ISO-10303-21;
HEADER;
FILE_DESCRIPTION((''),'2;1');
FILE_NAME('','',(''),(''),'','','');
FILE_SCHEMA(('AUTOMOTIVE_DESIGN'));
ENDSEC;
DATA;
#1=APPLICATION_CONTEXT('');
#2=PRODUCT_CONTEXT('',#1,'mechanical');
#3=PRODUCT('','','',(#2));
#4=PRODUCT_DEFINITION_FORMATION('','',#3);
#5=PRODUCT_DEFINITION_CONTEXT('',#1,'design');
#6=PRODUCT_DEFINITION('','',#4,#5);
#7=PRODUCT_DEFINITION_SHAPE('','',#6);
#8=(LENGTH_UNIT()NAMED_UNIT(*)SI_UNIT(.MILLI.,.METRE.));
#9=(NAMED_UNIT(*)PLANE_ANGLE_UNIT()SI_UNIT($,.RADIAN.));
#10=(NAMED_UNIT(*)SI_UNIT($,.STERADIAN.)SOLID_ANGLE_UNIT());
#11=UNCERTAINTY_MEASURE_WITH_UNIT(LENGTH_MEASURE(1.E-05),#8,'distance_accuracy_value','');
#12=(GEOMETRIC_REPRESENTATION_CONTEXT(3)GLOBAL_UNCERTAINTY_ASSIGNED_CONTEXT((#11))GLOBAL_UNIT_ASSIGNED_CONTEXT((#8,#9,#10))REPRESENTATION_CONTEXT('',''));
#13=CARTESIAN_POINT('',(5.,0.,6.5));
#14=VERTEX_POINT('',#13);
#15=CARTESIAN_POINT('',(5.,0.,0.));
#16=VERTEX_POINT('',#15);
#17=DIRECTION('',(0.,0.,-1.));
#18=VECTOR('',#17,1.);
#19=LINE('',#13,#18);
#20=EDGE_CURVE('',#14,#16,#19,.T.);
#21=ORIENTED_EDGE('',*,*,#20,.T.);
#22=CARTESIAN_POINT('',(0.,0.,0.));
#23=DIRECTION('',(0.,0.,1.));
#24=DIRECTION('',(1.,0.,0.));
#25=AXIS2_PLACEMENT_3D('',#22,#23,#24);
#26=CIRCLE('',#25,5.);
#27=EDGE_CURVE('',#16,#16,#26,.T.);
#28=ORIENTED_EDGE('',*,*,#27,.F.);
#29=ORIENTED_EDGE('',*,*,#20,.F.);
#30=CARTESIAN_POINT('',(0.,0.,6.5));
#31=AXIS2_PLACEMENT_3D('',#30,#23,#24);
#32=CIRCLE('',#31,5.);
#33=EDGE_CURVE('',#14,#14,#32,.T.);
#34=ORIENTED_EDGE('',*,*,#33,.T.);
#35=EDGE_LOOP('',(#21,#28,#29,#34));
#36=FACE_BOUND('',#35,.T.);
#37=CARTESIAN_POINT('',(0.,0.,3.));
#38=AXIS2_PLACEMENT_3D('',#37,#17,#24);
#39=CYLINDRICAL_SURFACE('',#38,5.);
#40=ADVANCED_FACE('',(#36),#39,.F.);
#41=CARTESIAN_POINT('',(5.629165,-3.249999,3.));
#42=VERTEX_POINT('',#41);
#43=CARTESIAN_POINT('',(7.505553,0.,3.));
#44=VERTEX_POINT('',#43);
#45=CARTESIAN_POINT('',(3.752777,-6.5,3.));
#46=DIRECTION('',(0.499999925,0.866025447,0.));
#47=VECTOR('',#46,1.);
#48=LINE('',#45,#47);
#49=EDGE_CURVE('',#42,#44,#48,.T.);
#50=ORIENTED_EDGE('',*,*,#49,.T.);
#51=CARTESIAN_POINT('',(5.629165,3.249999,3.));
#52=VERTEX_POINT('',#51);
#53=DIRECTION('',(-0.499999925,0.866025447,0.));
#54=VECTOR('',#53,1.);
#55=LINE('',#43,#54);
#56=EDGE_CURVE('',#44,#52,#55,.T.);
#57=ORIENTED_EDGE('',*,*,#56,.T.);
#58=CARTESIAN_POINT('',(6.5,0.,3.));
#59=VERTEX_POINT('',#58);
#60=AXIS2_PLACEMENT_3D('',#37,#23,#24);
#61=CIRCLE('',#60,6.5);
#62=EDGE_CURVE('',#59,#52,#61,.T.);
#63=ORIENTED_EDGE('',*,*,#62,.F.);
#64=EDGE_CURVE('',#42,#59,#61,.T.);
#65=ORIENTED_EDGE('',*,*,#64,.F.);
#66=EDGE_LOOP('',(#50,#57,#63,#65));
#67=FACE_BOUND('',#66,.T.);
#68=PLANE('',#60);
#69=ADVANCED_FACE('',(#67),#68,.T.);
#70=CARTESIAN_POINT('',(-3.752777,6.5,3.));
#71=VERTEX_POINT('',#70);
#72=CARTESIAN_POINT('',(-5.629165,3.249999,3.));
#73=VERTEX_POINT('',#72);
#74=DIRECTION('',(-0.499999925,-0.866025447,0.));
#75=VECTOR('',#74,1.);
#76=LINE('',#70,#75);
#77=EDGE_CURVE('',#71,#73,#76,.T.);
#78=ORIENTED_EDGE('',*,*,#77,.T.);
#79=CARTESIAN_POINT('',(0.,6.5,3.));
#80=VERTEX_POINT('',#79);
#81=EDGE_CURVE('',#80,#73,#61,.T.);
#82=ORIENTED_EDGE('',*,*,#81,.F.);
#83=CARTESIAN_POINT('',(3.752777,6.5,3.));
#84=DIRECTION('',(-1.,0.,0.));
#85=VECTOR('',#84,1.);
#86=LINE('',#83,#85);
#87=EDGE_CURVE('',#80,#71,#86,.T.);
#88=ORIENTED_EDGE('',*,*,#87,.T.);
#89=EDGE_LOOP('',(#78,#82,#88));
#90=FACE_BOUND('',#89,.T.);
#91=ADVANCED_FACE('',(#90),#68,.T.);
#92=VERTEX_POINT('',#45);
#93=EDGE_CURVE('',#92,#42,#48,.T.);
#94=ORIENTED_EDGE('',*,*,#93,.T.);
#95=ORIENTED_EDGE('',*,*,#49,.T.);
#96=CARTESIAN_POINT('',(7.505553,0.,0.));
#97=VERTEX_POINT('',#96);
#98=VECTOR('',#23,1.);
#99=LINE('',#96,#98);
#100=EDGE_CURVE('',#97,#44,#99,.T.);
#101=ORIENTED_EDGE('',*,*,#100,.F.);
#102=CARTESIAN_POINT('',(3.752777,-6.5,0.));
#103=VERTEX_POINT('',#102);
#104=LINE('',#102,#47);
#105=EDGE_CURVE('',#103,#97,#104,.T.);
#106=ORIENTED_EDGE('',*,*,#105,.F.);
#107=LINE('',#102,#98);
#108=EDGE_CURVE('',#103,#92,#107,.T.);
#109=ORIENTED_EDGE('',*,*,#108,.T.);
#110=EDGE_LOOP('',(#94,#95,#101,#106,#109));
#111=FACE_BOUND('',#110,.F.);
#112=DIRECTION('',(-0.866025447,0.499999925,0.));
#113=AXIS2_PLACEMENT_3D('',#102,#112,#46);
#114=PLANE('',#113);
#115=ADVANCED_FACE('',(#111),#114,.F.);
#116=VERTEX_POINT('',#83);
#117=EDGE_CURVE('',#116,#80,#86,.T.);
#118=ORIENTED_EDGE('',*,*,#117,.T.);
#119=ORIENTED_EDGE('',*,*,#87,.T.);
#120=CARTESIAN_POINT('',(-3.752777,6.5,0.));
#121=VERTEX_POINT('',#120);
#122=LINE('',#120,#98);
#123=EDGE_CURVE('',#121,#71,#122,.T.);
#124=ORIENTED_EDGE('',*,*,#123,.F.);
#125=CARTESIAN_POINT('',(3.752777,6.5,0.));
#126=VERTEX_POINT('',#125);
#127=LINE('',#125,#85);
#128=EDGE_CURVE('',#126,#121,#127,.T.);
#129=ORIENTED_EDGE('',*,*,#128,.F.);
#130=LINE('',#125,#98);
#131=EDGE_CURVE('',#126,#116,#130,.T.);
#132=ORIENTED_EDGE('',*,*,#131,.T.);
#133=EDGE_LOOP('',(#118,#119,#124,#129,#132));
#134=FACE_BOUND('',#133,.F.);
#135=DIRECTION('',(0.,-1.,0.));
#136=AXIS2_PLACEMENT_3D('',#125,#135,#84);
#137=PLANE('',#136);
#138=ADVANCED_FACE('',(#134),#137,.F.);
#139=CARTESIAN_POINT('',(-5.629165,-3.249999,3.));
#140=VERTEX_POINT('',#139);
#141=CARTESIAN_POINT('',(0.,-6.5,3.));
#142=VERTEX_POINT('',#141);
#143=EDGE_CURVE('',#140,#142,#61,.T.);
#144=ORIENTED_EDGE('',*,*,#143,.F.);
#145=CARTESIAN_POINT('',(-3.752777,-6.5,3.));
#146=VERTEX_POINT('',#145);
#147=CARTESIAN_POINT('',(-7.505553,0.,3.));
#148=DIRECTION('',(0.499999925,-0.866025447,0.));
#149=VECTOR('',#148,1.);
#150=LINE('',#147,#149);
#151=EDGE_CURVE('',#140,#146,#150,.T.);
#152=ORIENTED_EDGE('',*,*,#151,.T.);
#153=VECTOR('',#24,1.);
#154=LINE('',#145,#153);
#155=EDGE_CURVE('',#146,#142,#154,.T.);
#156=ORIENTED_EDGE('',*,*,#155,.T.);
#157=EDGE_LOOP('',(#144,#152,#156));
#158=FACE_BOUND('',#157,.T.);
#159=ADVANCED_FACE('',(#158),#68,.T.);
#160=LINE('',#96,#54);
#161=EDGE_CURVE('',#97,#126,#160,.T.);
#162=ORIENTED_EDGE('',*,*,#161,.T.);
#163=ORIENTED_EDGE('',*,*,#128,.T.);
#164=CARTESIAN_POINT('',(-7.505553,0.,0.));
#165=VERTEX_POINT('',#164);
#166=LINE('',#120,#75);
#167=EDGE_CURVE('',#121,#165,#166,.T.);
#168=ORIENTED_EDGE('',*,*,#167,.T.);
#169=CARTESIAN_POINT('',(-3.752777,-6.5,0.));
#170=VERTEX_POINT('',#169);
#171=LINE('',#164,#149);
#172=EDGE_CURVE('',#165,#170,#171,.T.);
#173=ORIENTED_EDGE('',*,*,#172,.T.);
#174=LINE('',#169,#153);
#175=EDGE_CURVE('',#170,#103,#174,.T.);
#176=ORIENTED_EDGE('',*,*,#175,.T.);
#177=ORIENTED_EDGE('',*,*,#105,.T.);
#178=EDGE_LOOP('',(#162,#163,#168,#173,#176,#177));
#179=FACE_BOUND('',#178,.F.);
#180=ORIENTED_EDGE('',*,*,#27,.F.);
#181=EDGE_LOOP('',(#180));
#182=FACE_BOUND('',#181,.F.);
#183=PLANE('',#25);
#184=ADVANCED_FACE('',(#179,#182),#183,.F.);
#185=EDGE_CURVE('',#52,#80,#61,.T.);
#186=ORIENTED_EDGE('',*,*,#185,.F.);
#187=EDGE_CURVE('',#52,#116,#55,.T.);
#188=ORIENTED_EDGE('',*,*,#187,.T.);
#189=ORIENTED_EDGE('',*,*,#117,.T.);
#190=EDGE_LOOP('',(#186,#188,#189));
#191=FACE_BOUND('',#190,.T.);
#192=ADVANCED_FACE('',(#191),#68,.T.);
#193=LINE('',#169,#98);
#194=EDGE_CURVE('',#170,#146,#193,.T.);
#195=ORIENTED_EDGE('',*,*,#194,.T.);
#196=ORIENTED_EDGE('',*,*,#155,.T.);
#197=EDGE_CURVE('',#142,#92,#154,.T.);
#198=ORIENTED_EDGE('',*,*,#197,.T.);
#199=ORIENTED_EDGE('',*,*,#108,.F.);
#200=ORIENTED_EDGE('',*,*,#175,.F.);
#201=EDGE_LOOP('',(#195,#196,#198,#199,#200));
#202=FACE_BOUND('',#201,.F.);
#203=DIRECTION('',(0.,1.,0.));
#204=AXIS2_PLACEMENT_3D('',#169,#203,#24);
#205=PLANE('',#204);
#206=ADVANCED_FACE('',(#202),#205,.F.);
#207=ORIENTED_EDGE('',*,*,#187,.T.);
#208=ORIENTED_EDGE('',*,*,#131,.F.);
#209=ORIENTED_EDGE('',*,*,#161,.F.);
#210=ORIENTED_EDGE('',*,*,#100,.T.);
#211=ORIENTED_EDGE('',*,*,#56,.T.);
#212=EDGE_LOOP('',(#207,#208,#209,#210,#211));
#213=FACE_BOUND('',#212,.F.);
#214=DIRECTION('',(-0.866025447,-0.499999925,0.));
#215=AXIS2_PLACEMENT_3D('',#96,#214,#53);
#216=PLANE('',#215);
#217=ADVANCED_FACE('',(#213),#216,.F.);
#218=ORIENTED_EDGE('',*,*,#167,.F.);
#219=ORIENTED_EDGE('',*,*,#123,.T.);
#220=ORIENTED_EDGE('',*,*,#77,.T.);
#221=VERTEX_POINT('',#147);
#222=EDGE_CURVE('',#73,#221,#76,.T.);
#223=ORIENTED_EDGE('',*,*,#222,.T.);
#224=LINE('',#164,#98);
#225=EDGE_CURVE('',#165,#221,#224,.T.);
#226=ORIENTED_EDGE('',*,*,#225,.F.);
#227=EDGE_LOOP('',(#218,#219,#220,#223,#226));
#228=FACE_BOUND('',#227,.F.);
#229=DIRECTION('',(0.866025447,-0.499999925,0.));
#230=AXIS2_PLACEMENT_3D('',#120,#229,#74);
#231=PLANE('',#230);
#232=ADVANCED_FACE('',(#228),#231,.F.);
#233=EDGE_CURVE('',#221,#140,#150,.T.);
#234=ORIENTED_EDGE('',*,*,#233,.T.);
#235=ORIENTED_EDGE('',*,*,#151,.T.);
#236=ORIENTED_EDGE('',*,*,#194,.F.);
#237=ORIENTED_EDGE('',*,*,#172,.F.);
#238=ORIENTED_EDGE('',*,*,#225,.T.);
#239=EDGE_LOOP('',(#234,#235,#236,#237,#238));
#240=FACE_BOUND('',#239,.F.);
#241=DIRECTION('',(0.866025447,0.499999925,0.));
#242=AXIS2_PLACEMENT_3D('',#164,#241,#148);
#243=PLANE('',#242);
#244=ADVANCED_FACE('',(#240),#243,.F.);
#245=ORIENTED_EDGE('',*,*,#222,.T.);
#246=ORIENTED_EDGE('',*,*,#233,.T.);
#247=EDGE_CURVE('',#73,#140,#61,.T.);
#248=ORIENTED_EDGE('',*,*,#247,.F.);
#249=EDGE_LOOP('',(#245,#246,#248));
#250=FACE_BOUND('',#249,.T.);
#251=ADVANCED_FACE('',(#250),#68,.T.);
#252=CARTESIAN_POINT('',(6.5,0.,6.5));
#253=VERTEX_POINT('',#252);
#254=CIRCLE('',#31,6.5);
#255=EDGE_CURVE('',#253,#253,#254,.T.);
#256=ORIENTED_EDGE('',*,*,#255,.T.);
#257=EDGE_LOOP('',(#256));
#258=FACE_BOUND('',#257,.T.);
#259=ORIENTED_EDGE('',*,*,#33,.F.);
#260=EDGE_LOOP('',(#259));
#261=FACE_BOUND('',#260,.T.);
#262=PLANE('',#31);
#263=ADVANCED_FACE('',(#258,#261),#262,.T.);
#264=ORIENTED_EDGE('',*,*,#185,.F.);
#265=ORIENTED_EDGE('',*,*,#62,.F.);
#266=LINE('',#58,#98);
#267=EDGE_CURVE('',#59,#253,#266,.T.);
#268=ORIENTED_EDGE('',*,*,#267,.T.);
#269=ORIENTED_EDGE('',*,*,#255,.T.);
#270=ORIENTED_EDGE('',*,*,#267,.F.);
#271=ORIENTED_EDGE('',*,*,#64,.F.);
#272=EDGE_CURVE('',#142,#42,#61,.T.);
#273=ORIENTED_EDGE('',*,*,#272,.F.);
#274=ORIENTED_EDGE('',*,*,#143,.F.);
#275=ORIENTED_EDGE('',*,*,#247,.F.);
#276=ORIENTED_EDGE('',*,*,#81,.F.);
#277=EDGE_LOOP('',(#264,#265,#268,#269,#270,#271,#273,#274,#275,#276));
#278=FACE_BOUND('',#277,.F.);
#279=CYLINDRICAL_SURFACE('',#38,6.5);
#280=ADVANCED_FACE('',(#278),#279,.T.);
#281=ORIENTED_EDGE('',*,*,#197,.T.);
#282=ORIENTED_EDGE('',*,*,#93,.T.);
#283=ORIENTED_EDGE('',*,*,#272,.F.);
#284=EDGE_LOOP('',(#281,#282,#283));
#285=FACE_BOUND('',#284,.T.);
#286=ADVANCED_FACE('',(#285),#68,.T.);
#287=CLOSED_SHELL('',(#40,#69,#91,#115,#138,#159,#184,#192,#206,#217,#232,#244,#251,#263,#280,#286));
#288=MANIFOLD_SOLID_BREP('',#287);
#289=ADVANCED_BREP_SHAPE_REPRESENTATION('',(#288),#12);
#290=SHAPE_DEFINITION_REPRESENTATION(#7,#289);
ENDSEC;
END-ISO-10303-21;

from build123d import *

# Parameters (mm, degrees)
SKETCH_R      = 5
PAD_DEPTH     = 3
SKETCH001_R   = 6.5
SKETCH001_R_2 = 5
PAD001_DEPTH  = 3.5


with BuildPart() as part:
    # Sketch → Pad (new body)
    with BuildSketch(Plane.XY):
        Polygon((7.505553, 0), (3.752777, 6.5), (-3.752777, 6.5), (-7.505553, 0), (-3.752777, -6.5), (3.752777, -6.5), align=None)
        Circle(SKETCH_R, mode=Mode.SUBTRACT)
    extrude(amount=PAD_DEPTH)

    # Sketch001 (on Face9 of Pad) → Pad001 (join)
    with BuildSketch(Plane.XY.offset(3)):
        Circle(SKETCH001_R)
        Circle(SKETCH001_R_2, mode=Mode.SUBTRACT)
    extrude(amount=PAD001_DEPTH)


solid = part.part
